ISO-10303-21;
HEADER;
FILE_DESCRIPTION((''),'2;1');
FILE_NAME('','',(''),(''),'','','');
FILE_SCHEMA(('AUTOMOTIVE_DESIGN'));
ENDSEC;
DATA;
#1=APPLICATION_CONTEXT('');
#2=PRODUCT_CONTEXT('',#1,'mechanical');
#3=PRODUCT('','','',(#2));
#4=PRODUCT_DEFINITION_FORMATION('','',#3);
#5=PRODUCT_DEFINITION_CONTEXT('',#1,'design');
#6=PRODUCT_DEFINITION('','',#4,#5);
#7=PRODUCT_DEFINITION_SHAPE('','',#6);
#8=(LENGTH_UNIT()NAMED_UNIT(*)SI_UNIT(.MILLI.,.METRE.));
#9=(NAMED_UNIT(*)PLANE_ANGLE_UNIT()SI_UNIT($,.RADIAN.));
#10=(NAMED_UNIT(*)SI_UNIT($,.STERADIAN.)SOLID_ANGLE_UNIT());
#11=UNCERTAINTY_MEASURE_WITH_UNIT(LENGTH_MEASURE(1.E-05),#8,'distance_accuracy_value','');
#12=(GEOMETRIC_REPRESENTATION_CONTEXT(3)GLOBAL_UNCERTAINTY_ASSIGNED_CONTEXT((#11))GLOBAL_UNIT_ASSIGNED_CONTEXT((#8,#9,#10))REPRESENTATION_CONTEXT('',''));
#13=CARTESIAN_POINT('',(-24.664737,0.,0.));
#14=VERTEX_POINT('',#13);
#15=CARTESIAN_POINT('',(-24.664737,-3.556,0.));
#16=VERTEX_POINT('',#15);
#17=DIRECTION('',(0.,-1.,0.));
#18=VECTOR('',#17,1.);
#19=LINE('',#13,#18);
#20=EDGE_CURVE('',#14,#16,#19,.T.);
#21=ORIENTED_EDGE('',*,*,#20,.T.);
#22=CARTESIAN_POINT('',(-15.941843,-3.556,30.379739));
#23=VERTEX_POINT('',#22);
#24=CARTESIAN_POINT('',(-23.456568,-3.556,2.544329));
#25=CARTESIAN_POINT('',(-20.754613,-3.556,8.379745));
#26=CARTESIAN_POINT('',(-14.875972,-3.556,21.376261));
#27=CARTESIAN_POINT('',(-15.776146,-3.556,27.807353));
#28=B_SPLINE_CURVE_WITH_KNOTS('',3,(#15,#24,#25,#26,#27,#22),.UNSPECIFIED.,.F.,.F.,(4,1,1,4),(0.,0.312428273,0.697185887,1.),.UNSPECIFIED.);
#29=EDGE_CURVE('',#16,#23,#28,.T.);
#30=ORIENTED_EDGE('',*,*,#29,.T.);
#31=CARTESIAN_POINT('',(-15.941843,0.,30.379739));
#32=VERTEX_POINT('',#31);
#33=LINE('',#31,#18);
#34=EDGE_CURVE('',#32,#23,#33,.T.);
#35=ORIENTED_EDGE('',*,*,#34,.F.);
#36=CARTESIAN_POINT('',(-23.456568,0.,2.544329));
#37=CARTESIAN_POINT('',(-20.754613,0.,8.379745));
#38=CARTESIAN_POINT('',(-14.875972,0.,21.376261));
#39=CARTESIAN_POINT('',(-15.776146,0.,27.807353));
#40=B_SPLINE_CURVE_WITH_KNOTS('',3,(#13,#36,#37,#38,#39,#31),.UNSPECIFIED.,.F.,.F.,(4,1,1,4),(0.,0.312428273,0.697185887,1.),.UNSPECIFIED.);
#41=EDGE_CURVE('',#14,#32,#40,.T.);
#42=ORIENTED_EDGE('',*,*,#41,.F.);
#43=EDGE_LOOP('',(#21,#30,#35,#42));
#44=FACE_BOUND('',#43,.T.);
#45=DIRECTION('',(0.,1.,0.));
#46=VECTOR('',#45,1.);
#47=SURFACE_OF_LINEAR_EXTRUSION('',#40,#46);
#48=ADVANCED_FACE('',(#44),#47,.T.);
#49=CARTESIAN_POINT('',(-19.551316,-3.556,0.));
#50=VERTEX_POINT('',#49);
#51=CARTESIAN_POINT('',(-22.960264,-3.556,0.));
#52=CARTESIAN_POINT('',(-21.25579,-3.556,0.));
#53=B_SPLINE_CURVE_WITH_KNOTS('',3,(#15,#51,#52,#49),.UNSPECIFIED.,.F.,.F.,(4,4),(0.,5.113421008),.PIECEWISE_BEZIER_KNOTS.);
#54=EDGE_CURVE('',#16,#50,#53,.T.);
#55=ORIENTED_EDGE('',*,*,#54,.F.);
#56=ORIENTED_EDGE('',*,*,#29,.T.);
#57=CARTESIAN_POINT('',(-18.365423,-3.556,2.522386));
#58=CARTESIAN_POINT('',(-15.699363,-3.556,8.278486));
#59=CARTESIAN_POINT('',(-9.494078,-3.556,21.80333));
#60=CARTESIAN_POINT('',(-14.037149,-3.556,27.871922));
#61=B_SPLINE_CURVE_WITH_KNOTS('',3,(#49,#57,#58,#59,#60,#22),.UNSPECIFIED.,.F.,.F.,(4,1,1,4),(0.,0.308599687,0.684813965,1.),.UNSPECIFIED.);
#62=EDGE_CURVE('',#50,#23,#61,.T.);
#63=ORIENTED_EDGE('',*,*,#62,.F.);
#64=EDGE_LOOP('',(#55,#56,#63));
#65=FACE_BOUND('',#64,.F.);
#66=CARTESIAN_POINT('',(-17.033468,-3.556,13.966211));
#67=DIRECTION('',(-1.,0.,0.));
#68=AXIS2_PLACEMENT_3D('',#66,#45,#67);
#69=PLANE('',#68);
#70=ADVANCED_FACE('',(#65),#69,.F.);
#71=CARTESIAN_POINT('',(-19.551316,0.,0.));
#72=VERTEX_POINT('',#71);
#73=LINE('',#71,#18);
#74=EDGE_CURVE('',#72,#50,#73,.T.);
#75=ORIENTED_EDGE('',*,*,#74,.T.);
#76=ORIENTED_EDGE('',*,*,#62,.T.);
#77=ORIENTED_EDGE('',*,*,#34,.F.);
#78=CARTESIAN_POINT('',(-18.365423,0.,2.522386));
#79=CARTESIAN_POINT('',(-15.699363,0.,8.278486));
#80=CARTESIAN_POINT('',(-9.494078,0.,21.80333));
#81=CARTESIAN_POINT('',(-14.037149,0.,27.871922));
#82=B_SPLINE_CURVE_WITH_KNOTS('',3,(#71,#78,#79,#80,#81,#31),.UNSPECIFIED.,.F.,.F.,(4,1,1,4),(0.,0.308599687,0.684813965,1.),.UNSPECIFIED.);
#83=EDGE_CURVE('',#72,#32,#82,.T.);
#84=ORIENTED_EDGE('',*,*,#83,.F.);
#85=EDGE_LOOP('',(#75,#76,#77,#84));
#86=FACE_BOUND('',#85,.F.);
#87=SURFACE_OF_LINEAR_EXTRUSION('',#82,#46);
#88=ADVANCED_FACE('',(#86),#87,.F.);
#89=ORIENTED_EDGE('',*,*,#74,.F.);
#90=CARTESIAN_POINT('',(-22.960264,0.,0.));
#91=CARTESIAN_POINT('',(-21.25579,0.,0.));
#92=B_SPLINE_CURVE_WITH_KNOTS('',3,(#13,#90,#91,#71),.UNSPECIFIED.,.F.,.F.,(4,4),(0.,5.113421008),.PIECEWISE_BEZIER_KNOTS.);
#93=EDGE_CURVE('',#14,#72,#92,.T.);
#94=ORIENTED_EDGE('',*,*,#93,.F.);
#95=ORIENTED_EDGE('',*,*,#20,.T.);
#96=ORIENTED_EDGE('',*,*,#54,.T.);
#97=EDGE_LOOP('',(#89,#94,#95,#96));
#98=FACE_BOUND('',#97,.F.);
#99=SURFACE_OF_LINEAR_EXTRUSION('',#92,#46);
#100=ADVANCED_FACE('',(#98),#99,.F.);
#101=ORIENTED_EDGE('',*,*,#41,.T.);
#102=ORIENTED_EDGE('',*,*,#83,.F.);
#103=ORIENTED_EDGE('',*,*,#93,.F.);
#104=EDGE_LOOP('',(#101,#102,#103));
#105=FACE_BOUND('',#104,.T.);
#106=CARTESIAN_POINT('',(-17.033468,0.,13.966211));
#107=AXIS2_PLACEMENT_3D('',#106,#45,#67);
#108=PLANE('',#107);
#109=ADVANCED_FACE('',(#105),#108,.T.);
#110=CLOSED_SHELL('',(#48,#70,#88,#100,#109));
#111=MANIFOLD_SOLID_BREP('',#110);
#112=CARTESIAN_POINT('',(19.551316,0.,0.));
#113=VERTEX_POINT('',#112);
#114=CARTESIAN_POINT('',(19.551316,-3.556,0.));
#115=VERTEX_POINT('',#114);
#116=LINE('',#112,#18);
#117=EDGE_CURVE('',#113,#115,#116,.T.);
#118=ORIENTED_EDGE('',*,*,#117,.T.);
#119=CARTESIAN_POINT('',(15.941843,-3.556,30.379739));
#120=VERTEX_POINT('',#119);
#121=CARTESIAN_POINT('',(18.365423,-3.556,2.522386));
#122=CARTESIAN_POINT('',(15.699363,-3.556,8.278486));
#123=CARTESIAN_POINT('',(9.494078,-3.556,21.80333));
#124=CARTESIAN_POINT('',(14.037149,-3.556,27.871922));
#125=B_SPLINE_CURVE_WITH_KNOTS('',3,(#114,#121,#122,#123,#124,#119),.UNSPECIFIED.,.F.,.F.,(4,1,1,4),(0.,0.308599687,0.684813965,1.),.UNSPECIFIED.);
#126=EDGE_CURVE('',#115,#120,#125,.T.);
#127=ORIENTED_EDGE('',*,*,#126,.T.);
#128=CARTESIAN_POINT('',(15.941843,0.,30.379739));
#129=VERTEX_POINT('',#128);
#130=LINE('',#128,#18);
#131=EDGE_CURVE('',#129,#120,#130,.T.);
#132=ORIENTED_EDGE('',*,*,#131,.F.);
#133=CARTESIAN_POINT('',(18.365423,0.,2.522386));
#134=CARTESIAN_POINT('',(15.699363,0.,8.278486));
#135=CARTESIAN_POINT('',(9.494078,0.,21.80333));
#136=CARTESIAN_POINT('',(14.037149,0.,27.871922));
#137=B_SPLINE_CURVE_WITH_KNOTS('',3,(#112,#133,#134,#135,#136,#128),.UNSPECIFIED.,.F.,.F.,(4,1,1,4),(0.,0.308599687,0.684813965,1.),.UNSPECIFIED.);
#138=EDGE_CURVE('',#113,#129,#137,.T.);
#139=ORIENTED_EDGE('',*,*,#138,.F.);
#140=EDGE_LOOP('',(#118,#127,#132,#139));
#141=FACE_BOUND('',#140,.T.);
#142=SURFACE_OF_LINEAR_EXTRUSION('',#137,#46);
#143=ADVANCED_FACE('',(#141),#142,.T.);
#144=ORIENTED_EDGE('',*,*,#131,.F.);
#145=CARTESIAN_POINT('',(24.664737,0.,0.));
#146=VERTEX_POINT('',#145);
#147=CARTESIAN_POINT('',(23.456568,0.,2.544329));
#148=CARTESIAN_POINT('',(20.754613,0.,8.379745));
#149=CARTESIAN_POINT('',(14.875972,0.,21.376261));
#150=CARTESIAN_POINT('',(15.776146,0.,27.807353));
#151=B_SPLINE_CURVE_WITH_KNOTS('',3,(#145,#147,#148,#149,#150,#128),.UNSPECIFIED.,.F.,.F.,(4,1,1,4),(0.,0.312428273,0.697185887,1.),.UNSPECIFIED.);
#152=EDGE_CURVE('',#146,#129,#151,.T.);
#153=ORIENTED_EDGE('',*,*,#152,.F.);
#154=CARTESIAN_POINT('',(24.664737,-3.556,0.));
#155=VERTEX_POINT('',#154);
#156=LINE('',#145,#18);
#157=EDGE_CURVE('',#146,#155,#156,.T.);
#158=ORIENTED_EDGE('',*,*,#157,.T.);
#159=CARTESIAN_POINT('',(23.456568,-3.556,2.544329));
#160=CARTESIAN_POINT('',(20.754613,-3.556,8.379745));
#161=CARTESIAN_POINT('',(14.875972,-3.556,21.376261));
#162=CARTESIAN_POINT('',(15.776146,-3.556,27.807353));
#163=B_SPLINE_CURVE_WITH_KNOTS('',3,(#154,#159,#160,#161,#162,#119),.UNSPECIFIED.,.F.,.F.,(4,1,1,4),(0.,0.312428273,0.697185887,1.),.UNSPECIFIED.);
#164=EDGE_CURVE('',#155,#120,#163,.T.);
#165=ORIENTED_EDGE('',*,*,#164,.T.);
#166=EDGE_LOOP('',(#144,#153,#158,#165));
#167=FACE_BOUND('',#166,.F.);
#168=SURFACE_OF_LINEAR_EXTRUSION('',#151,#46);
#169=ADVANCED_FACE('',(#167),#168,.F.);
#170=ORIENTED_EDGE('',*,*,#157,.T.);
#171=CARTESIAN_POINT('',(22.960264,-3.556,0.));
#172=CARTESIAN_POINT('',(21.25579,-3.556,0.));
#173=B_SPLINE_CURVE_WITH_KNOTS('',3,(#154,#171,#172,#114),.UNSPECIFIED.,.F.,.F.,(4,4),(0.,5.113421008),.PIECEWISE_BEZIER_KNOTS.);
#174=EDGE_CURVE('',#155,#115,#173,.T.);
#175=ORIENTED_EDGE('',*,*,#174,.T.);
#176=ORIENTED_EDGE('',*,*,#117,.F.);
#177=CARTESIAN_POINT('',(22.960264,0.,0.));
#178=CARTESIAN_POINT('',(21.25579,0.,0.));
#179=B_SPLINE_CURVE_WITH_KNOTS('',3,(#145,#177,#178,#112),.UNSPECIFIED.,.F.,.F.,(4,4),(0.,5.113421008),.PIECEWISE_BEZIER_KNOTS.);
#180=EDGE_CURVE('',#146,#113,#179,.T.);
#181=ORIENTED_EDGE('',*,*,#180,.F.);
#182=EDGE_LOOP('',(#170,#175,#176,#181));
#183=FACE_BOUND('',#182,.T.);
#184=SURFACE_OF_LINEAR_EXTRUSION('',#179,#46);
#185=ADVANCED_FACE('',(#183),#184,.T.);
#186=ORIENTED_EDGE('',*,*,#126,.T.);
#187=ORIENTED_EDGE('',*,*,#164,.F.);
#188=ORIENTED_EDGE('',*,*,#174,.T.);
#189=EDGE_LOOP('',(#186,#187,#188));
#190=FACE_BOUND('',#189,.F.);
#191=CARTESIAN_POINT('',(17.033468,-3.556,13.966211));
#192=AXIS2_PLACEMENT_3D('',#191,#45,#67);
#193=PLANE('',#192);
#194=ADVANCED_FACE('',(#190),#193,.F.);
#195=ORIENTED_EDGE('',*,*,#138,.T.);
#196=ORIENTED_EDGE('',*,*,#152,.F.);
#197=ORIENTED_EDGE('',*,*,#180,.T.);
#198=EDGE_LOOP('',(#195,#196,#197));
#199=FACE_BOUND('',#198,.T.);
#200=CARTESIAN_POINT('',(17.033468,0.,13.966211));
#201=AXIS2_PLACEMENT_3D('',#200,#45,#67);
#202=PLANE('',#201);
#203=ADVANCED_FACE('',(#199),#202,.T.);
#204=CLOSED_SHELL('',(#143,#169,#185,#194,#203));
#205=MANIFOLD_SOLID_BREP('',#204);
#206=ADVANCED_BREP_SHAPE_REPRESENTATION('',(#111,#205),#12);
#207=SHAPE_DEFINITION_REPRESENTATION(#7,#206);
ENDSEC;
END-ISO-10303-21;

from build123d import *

# Parameters (mm, degrees)
F1_DEPTH = 3.556


with BuildPart() as f1:
    # F0 (on Front) → F1 (new body)
    with BuildSketch(Plane.XZ):
        with BuildLine():
            add(Edge.make_bspline(
                [(-24.6647372842, 0), (-23.4565678995, 2.5443287289), (-20.7546127973, 8.3797450547), (-14.8759715948, 21.3762612389), (-15.7761463108, 27.8073529341), (-15.9418433905, 30.3797386587)],
                knots=[0, 0, 0, 0, 0.3124282727, 0.6971858871, 1, 1, 1, 1], degree=3))
            add(Edge.make_bspline(
                [(-24.6647372842, 0), (-22.9602636149, 0), (-21.2557899455, 0), (-19.5513162762, 0)],
                knots=[0, 0, 0, 0, 5.113421008, 5.113421008, 5.113421008, 5.113421008], degree=3))
            add(Edge.make_bspline(
                [(-19.5513162762, 0), (-18.3654232373, 2.5223862294), (-15.6993630667, 8.2784864085), (-9.494077625, 21.8033298283), (-14.0371485402, 27.871922481), (-15.9418433905, 30.3797386587)],
                knots=[0, 0, 0, 0, 0.3085996873, 0.6848139653, 1, 1, 1, 1], degree=3))
        make_face()
    extrude(amount=F1_DEPTH)


with BuildPart() as f1b:
    # F0 (on Front) → F1, piece 2 (new body)
    with BuildSketch(Plane.XZ):
        with BuildLine():
            add(Edge.make_bspline(
                [(19.5513162762, 0), (18.3654232373, 2.5223862294), (15.6993630667, 8.2784864085), (9.494077625, 21.8033298283), (14.0371485402, 27.871922481), (15.9418433905, 30.3797386587)],
                knots=[0, 0, 0, 0, 0.3085996873, 0.6848139653, 1, 1, 1, 1], degree=3))
            add(Edge.make_bspline(
                [(24.6647372842, 0), (22.9602636149, 0), (21.2557899455, 0), (19.5513162762, 0)],
                knots=[0, 0, 0, 0, 5.113421008, 5.113421008, 5.113421008, 5.113421008], degree=3))
            add(Edge.make_bspline(
                [(24.6647372842, 0), (23.4565678995, 2.5443287289), (20.7546127973, 8.3797450547), (14.8759715948, 21.3762612389), (15.7761463108, 27.8073529341), (15.9418433905, 30.3797386587)],
                knots=[0, 0, 0, 0, 0.3124282727, 0.6971858871, 1, 1, 1, 1], degree=3))
        make_face()
    extrude(amount=F1_DEPTH)


solid = Compound([f1.part, f1b.part])
